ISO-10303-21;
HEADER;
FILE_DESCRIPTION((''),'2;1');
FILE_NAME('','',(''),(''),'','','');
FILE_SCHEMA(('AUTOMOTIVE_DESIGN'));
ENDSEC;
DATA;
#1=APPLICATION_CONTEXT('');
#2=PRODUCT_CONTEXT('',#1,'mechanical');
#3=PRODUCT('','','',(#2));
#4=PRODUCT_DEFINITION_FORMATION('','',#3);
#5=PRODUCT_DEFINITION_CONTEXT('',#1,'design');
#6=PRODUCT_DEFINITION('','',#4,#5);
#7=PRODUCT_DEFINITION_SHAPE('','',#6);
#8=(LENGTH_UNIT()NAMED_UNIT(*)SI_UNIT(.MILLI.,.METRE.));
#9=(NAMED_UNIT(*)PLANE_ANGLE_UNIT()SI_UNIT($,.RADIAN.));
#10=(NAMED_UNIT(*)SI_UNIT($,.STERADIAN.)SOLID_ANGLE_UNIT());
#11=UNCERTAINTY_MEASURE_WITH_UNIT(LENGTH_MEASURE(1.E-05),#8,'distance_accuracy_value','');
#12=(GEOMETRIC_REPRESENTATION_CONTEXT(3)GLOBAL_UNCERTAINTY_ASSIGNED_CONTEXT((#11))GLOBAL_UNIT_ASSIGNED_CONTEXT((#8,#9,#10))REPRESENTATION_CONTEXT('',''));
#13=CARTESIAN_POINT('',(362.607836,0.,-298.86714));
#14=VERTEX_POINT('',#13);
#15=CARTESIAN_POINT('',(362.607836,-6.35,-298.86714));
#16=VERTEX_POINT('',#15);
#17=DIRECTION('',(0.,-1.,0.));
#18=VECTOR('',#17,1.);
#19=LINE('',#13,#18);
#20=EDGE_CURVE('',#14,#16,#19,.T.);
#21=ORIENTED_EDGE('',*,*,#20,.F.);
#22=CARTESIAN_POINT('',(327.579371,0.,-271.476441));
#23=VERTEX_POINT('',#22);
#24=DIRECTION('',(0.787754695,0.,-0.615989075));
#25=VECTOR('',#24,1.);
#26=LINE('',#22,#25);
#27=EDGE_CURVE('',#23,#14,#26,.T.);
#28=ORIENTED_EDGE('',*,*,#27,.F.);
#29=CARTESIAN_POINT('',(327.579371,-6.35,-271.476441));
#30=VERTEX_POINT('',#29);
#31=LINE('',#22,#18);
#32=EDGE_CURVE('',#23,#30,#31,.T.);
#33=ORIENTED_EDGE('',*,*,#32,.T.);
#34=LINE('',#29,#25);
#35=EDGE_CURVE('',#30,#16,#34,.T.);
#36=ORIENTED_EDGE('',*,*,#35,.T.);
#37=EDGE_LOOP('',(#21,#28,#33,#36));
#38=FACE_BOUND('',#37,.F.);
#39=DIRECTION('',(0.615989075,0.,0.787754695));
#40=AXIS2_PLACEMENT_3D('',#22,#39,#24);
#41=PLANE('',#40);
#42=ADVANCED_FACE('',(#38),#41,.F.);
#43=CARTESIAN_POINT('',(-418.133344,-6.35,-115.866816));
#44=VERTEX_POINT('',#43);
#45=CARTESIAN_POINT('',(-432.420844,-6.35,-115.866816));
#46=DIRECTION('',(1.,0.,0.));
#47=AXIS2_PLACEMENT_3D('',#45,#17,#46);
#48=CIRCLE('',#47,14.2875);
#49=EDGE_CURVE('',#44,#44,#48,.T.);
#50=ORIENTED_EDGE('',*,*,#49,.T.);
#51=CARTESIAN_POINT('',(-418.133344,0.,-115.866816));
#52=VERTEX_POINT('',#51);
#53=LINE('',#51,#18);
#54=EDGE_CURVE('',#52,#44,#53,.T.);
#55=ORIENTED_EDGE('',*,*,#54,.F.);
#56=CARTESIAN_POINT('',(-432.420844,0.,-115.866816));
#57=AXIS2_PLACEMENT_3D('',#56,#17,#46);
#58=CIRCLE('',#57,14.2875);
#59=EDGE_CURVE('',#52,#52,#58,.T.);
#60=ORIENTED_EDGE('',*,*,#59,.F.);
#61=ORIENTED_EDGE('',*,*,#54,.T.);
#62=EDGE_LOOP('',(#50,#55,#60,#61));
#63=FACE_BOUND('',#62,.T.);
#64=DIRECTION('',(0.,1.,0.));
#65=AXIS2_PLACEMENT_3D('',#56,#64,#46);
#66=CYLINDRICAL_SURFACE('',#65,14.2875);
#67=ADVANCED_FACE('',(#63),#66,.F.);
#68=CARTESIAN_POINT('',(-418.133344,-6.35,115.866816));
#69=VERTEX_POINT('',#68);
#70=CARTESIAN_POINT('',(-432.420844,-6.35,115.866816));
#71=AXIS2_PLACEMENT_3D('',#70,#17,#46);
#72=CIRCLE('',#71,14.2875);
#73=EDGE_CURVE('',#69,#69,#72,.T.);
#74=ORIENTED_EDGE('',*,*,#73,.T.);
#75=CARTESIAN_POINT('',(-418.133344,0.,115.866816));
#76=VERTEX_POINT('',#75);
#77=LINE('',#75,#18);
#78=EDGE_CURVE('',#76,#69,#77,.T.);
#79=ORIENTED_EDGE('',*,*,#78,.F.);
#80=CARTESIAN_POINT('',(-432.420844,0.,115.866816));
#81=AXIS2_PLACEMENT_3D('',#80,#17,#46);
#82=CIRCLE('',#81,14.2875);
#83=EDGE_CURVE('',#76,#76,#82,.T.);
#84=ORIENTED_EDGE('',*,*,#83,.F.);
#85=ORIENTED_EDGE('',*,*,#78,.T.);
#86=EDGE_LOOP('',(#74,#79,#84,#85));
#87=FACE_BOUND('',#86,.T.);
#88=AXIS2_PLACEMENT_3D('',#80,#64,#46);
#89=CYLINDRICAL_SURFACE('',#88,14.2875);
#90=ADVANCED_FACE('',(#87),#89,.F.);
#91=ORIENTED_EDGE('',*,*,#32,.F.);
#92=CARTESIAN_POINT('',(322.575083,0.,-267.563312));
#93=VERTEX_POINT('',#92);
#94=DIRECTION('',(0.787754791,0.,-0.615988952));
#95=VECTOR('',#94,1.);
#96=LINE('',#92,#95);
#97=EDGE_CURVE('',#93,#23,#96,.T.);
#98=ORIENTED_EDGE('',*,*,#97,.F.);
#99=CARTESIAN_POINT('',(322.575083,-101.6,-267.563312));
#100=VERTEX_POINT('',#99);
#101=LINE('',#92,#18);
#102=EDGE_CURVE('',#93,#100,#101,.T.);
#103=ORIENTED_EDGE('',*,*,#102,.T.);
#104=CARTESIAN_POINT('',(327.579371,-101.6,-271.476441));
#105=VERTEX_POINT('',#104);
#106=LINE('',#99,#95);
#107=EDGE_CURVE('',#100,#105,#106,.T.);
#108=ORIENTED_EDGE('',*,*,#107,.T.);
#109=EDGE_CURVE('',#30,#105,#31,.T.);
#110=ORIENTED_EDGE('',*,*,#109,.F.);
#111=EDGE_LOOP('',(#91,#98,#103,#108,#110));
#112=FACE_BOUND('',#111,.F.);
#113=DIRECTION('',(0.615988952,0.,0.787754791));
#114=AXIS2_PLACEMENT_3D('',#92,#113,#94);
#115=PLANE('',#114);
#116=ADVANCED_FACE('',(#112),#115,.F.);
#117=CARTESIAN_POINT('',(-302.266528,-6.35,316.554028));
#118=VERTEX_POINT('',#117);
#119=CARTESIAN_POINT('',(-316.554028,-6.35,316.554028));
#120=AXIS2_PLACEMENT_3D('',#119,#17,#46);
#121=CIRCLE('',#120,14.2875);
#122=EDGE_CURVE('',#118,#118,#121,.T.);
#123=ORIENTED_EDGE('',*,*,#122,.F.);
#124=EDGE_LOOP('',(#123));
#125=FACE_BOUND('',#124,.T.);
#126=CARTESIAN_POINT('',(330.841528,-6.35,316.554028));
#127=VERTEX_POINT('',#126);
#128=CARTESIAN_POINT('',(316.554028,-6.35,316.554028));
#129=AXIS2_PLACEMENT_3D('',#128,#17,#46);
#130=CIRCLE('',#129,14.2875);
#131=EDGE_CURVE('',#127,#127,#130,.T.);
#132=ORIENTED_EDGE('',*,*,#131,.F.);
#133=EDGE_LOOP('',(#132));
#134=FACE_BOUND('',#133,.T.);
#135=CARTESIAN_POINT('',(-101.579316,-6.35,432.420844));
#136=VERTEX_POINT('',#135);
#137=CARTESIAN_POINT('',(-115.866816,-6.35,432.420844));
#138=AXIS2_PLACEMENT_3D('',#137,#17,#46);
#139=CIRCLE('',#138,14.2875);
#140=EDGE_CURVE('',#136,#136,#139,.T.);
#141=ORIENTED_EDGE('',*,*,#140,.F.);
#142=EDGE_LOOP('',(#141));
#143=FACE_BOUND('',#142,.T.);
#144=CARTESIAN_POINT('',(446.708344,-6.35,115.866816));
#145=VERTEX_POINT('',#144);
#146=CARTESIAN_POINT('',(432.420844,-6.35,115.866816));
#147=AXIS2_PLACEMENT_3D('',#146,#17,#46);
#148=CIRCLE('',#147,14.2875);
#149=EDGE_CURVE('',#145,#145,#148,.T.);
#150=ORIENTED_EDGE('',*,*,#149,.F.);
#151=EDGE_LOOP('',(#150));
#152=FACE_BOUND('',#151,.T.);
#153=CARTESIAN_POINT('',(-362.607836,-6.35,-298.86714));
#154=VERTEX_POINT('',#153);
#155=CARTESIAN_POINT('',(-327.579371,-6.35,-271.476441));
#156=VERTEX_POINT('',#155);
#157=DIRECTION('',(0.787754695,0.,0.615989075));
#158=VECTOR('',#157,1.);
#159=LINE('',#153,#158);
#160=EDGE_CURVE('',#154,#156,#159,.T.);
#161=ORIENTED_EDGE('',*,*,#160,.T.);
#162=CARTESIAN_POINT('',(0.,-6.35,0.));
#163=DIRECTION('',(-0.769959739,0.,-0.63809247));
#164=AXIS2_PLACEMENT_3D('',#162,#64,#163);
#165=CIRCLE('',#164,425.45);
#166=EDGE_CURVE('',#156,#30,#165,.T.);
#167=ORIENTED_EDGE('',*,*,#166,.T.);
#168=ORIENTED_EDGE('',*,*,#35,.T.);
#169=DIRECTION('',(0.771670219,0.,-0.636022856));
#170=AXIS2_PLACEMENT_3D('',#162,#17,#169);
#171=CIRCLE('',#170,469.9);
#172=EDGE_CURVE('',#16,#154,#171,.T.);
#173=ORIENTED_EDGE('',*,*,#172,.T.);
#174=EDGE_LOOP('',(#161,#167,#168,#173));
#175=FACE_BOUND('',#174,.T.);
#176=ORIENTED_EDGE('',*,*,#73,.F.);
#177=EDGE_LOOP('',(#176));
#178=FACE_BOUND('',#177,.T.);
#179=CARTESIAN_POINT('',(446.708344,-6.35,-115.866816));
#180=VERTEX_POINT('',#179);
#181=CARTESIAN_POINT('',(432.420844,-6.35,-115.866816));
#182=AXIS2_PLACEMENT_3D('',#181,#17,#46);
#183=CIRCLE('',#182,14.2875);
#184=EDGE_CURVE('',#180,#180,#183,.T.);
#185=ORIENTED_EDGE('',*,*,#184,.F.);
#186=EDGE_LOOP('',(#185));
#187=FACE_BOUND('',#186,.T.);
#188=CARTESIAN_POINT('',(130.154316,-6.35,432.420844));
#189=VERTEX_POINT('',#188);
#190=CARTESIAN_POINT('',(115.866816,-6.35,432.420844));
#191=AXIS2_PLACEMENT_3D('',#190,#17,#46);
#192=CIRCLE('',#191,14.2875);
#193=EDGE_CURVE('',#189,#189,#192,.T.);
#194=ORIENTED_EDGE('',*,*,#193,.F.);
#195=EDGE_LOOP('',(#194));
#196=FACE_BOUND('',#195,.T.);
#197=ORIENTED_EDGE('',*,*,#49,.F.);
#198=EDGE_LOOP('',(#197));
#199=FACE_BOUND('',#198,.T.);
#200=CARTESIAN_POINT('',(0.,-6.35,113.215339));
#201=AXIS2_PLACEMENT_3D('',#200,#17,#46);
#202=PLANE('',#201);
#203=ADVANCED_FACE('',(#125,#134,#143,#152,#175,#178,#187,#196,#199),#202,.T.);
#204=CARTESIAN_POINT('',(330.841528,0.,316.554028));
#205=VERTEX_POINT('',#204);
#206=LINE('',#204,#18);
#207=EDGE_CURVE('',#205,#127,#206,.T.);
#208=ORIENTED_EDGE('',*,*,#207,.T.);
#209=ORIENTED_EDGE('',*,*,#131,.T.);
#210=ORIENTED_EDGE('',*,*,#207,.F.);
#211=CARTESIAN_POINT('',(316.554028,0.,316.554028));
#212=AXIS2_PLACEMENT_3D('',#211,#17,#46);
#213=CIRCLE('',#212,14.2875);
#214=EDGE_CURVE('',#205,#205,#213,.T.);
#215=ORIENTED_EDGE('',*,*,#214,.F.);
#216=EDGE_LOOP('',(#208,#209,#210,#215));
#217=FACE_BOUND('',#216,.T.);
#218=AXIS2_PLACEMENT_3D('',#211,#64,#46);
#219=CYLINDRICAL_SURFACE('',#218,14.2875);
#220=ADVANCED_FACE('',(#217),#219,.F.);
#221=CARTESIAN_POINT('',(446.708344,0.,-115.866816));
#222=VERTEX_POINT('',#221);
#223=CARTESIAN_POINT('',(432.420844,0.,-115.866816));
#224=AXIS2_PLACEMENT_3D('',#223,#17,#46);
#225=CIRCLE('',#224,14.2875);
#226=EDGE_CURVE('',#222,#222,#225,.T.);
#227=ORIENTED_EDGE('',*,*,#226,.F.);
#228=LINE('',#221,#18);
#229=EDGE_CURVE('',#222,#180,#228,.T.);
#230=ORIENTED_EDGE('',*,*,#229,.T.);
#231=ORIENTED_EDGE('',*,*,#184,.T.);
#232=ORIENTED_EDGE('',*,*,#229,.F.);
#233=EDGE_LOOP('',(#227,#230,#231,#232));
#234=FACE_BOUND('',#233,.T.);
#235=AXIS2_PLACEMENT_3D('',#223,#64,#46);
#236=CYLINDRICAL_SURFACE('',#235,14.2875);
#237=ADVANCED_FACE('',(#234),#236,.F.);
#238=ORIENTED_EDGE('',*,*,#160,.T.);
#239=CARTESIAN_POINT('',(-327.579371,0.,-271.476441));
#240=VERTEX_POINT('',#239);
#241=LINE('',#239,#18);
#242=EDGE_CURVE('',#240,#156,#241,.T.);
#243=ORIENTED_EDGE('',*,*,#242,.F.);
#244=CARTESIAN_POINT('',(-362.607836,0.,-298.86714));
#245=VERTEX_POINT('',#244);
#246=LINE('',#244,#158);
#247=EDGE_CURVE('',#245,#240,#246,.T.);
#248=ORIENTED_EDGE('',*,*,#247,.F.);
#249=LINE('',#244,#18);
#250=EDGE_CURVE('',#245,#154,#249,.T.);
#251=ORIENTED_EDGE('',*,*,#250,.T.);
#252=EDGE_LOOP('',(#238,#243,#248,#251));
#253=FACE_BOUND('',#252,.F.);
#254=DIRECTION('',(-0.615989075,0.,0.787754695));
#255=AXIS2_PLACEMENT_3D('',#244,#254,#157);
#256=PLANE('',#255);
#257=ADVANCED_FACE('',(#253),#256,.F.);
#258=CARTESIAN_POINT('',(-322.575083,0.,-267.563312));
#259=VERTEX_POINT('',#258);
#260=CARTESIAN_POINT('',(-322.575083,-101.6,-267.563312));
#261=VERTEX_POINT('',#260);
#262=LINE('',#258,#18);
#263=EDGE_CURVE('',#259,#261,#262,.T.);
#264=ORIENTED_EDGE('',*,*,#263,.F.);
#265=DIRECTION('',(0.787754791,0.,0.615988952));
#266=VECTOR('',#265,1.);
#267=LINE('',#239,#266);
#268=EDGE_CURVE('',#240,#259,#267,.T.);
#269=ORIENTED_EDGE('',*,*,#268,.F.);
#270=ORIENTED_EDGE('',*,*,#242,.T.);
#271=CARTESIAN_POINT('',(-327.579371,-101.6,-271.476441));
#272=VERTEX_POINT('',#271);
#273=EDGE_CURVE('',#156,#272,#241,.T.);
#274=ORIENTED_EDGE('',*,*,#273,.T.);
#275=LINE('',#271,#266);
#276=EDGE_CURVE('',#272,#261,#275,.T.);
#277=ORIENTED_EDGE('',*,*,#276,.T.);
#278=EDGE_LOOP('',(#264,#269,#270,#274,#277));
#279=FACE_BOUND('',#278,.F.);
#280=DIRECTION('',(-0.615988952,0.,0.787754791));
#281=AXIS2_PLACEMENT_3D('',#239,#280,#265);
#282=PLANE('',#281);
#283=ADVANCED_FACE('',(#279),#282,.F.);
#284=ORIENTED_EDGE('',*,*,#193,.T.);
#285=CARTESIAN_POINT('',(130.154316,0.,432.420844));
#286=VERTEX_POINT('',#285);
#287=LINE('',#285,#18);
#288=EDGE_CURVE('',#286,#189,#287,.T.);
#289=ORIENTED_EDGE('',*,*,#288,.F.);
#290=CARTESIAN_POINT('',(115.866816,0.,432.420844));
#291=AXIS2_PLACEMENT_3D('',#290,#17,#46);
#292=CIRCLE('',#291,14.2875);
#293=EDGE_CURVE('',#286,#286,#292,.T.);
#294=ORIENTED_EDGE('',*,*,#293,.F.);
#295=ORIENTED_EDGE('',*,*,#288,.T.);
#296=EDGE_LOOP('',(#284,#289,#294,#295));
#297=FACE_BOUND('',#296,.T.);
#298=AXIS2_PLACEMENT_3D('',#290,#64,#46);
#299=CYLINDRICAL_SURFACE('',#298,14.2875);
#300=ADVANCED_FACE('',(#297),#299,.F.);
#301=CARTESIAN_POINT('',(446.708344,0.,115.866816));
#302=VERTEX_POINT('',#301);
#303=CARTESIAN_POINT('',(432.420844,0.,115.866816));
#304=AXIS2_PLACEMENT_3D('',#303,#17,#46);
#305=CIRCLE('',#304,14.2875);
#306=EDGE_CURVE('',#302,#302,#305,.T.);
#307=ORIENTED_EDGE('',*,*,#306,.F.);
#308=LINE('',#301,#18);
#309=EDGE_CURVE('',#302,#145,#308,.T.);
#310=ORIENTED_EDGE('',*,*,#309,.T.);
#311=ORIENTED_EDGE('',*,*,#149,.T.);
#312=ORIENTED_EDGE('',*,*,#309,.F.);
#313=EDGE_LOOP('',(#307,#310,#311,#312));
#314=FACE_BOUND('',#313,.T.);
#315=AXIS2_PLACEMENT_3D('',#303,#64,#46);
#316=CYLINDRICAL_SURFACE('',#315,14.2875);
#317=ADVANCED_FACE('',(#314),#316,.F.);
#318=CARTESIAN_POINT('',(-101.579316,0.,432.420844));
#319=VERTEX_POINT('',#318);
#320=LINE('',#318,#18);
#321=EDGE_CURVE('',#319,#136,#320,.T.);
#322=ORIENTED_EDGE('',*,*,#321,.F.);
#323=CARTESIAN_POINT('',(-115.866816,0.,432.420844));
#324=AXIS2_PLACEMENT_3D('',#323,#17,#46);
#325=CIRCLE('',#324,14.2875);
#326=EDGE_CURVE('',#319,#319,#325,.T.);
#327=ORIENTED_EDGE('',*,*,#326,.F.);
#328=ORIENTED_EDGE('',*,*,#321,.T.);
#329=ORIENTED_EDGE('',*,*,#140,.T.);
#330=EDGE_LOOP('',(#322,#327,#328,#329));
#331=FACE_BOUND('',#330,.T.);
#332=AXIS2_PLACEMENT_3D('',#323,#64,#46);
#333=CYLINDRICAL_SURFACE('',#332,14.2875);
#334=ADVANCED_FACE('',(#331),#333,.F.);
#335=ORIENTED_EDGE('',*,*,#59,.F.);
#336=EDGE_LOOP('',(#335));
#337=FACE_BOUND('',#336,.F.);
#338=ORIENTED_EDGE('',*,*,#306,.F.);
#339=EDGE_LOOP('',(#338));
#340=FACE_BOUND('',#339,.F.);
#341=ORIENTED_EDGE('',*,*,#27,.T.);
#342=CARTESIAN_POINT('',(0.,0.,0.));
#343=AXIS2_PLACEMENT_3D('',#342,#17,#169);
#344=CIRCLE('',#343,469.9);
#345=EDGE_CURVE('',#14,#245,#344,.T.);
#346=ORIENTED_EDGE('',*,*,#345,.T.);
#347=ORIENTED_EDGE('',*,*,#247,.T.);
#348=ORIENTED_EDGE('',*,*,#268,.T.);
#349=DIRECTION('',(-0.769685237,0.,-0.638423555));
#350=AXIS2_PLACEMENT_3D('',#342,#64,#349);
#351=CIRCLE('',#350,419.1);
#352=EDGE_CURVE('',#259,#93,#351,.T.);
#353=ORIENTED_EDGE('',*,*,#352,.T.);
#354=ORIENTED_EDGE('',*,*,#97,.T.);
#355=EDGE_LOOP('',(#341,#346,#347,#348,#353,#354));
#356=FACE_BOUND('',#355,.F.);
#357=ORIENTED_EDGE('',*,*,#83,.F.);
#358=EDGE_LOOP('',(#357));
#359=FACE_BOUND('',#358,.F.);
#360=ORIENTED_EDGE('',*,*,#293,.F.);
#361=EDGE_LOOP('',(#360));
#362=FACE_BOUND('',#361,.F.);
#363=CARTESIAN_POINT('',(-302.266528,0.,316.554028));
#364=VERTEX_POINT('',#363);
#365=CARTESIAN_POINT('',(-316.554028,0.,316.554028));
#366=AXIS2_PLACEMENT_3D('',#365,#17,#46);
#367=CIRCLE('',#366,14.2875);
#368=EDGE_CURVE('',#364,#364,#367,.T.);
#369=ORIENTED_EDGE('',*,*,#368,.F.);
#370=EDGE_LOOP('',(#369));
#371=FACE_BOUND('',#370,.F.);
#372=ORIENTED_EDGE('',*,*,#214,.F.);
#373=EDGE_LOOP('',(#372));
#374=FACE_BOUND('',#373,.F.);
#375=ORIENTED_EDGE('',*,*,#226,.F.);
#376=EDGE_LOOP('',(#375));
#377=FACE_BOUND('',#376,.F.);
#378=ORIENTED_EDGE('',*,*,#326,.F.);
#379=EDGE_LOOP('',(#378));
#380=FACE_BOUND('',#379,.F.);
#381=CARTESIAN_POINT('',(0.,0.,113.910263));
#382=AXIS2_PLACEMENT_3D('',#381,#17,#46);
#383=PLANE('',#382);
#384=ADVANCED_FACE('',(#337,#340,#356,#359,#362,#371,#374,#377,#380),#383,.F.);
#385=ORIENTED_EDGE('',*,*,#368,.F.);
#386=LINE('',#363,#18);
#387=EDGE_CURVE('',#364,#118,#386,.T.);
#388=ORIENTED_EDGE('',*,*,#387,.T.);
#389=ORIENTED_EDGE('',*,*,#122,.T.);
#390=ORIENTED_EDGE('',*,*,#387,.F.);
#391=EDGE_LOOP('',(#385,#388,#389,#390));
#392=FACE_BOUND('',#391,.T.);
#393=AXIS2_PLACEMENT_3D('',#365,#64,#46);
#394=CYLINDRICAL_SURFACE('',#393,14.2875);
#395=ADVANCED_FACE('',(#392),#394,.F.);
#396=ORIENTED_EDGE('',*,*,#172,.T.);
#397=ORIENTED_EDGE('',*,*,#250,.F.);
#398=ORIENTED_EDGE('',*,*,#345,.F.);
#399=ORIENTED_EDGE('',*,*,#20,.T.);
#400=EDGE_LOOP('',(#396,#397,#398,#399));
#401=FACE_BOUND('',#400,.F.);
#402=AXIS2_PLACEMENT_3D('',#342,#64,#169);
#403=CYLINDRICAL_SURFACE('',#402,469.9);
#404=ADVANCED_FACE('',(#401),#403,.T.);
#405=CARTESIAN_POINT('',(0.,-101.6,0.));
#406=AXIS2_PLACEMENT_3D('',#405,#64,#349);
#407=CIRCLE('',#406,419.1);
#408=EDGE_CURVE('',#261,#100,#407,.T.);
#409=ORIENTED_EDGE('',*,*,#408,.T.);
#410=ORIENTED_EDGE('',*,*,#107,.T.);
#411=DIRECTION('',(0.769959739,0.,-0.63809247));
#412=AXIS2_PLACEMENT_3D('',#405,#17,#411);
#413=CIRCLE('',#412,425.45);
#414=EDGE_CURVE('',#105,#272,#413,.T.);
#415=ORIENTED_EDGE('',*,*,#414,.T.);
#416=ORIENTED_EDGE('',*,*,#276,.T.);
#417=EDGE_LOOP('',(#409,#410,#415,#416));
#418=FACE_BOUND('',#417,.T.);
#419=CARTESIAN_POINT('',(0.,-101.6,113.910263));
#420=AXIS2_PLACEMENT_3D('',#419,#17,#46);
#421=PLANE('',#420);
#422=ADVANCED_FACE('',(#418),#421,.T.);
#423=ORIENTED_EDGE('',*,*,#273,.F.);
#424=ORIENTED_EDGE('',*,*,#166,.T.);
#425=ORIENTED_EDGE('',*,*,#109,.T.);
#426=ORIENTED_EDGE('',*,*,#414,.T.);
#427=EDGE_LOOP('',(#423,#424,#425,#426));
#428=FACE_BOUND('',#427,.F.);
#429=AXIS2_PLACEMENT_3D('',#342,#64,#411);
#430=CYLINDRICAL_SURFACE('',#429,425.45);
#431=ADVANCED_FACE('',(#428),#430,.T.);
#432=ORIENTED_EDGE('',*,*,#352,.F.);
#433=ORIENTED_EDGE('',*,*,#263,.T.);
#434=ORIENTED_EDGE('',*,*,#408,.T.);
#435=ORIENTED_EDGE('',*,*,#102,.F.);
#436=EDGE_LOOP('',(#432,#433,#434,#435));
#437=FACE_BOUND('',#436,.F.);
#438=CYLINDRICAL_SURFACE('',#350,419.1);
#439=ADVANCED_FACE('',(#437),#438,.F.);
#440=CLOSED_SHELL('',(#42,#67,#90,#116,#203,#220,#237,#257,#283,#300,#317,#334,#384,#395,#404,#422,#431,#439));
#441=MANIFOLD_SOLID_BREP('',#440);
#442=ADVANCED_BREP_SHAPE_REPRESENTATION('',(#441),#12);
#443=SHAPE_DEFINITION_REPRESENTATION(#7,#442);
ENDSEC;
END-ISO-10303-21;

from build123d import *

# Parameters (mm, degrees)
F0_R     = 14.2875
F1_DEPTH = 6.35
F2_DEPTH = 101.6


with BuildPart() as f1:
    # F0 (on Front) → F1 (new body)
    with BuildSketch(Plane.XZ):
        with BuildLine():
            Line((327.579371, -271.476441), (362.607836, -298.86714))
            ThreePointArc((362.607836, -298.86714), (0, 469.9), (-362.607836, -298.86714))
            Line((-362.607836, -298.86714), (-327.579371, -271.476441))
            ThreePointArc((-327.579371, -271.476441), (0, 425.45), (327.579371, -271.476441))
        make_face()
        with Locations((-432.420844, -115.866816)):
            Circle(F0_R, mode=Mode.SUBTRACT)
        with Locations((432.420844, -115.866816)):
            Circle(F0_R, mode=Mode.SUBTRACT)
        with Locations((-432.420844, 115.866816)):
            Circle(F0_R, mode=Mode.SUBTRACT)
        with Locations((-316.554028, 316.554028)):
            Circle(F0_R, mode=Mode.SUBTRACT)
        with Locations((-115.866816, 432.420844)):
            Circle(F0_R, mode=Mode.SUBTRACT)
        with Locations((432.420844, 115.866816)):
            Circle(F0_R, mode=Mode.SUBTRACT)
        with Locations((115.866816, 432.420844)):
            Circle(F0_R, mode=Mode.SUBTRACT)
        with Locations((316.554028, 316.554028)):
            Circle(F0_R, mode=Mode.SUBTRACT)
    extrude(amount=F1_DEPTH)

    # F0 (on Front) → F2 (join)
    with BuildSketch(Plane.XZ):
        with BuildLine():
            Line((322.575083, -267.563312), (327.579371, -271.476441))
            ThreePointArc((327.579371, -271.476441), (0, 425.45), (-327.579371, -271.476441))
            Line((-327.579371, -271.476441), (-322.575083, -267.563312))
            ThreePointArc((-322.575083, -267.563312), (0, 419.1), (322.575083, -267.563312))
        make_face()
    extrude(amount=F2_DEPTH)


solid = f1.part
